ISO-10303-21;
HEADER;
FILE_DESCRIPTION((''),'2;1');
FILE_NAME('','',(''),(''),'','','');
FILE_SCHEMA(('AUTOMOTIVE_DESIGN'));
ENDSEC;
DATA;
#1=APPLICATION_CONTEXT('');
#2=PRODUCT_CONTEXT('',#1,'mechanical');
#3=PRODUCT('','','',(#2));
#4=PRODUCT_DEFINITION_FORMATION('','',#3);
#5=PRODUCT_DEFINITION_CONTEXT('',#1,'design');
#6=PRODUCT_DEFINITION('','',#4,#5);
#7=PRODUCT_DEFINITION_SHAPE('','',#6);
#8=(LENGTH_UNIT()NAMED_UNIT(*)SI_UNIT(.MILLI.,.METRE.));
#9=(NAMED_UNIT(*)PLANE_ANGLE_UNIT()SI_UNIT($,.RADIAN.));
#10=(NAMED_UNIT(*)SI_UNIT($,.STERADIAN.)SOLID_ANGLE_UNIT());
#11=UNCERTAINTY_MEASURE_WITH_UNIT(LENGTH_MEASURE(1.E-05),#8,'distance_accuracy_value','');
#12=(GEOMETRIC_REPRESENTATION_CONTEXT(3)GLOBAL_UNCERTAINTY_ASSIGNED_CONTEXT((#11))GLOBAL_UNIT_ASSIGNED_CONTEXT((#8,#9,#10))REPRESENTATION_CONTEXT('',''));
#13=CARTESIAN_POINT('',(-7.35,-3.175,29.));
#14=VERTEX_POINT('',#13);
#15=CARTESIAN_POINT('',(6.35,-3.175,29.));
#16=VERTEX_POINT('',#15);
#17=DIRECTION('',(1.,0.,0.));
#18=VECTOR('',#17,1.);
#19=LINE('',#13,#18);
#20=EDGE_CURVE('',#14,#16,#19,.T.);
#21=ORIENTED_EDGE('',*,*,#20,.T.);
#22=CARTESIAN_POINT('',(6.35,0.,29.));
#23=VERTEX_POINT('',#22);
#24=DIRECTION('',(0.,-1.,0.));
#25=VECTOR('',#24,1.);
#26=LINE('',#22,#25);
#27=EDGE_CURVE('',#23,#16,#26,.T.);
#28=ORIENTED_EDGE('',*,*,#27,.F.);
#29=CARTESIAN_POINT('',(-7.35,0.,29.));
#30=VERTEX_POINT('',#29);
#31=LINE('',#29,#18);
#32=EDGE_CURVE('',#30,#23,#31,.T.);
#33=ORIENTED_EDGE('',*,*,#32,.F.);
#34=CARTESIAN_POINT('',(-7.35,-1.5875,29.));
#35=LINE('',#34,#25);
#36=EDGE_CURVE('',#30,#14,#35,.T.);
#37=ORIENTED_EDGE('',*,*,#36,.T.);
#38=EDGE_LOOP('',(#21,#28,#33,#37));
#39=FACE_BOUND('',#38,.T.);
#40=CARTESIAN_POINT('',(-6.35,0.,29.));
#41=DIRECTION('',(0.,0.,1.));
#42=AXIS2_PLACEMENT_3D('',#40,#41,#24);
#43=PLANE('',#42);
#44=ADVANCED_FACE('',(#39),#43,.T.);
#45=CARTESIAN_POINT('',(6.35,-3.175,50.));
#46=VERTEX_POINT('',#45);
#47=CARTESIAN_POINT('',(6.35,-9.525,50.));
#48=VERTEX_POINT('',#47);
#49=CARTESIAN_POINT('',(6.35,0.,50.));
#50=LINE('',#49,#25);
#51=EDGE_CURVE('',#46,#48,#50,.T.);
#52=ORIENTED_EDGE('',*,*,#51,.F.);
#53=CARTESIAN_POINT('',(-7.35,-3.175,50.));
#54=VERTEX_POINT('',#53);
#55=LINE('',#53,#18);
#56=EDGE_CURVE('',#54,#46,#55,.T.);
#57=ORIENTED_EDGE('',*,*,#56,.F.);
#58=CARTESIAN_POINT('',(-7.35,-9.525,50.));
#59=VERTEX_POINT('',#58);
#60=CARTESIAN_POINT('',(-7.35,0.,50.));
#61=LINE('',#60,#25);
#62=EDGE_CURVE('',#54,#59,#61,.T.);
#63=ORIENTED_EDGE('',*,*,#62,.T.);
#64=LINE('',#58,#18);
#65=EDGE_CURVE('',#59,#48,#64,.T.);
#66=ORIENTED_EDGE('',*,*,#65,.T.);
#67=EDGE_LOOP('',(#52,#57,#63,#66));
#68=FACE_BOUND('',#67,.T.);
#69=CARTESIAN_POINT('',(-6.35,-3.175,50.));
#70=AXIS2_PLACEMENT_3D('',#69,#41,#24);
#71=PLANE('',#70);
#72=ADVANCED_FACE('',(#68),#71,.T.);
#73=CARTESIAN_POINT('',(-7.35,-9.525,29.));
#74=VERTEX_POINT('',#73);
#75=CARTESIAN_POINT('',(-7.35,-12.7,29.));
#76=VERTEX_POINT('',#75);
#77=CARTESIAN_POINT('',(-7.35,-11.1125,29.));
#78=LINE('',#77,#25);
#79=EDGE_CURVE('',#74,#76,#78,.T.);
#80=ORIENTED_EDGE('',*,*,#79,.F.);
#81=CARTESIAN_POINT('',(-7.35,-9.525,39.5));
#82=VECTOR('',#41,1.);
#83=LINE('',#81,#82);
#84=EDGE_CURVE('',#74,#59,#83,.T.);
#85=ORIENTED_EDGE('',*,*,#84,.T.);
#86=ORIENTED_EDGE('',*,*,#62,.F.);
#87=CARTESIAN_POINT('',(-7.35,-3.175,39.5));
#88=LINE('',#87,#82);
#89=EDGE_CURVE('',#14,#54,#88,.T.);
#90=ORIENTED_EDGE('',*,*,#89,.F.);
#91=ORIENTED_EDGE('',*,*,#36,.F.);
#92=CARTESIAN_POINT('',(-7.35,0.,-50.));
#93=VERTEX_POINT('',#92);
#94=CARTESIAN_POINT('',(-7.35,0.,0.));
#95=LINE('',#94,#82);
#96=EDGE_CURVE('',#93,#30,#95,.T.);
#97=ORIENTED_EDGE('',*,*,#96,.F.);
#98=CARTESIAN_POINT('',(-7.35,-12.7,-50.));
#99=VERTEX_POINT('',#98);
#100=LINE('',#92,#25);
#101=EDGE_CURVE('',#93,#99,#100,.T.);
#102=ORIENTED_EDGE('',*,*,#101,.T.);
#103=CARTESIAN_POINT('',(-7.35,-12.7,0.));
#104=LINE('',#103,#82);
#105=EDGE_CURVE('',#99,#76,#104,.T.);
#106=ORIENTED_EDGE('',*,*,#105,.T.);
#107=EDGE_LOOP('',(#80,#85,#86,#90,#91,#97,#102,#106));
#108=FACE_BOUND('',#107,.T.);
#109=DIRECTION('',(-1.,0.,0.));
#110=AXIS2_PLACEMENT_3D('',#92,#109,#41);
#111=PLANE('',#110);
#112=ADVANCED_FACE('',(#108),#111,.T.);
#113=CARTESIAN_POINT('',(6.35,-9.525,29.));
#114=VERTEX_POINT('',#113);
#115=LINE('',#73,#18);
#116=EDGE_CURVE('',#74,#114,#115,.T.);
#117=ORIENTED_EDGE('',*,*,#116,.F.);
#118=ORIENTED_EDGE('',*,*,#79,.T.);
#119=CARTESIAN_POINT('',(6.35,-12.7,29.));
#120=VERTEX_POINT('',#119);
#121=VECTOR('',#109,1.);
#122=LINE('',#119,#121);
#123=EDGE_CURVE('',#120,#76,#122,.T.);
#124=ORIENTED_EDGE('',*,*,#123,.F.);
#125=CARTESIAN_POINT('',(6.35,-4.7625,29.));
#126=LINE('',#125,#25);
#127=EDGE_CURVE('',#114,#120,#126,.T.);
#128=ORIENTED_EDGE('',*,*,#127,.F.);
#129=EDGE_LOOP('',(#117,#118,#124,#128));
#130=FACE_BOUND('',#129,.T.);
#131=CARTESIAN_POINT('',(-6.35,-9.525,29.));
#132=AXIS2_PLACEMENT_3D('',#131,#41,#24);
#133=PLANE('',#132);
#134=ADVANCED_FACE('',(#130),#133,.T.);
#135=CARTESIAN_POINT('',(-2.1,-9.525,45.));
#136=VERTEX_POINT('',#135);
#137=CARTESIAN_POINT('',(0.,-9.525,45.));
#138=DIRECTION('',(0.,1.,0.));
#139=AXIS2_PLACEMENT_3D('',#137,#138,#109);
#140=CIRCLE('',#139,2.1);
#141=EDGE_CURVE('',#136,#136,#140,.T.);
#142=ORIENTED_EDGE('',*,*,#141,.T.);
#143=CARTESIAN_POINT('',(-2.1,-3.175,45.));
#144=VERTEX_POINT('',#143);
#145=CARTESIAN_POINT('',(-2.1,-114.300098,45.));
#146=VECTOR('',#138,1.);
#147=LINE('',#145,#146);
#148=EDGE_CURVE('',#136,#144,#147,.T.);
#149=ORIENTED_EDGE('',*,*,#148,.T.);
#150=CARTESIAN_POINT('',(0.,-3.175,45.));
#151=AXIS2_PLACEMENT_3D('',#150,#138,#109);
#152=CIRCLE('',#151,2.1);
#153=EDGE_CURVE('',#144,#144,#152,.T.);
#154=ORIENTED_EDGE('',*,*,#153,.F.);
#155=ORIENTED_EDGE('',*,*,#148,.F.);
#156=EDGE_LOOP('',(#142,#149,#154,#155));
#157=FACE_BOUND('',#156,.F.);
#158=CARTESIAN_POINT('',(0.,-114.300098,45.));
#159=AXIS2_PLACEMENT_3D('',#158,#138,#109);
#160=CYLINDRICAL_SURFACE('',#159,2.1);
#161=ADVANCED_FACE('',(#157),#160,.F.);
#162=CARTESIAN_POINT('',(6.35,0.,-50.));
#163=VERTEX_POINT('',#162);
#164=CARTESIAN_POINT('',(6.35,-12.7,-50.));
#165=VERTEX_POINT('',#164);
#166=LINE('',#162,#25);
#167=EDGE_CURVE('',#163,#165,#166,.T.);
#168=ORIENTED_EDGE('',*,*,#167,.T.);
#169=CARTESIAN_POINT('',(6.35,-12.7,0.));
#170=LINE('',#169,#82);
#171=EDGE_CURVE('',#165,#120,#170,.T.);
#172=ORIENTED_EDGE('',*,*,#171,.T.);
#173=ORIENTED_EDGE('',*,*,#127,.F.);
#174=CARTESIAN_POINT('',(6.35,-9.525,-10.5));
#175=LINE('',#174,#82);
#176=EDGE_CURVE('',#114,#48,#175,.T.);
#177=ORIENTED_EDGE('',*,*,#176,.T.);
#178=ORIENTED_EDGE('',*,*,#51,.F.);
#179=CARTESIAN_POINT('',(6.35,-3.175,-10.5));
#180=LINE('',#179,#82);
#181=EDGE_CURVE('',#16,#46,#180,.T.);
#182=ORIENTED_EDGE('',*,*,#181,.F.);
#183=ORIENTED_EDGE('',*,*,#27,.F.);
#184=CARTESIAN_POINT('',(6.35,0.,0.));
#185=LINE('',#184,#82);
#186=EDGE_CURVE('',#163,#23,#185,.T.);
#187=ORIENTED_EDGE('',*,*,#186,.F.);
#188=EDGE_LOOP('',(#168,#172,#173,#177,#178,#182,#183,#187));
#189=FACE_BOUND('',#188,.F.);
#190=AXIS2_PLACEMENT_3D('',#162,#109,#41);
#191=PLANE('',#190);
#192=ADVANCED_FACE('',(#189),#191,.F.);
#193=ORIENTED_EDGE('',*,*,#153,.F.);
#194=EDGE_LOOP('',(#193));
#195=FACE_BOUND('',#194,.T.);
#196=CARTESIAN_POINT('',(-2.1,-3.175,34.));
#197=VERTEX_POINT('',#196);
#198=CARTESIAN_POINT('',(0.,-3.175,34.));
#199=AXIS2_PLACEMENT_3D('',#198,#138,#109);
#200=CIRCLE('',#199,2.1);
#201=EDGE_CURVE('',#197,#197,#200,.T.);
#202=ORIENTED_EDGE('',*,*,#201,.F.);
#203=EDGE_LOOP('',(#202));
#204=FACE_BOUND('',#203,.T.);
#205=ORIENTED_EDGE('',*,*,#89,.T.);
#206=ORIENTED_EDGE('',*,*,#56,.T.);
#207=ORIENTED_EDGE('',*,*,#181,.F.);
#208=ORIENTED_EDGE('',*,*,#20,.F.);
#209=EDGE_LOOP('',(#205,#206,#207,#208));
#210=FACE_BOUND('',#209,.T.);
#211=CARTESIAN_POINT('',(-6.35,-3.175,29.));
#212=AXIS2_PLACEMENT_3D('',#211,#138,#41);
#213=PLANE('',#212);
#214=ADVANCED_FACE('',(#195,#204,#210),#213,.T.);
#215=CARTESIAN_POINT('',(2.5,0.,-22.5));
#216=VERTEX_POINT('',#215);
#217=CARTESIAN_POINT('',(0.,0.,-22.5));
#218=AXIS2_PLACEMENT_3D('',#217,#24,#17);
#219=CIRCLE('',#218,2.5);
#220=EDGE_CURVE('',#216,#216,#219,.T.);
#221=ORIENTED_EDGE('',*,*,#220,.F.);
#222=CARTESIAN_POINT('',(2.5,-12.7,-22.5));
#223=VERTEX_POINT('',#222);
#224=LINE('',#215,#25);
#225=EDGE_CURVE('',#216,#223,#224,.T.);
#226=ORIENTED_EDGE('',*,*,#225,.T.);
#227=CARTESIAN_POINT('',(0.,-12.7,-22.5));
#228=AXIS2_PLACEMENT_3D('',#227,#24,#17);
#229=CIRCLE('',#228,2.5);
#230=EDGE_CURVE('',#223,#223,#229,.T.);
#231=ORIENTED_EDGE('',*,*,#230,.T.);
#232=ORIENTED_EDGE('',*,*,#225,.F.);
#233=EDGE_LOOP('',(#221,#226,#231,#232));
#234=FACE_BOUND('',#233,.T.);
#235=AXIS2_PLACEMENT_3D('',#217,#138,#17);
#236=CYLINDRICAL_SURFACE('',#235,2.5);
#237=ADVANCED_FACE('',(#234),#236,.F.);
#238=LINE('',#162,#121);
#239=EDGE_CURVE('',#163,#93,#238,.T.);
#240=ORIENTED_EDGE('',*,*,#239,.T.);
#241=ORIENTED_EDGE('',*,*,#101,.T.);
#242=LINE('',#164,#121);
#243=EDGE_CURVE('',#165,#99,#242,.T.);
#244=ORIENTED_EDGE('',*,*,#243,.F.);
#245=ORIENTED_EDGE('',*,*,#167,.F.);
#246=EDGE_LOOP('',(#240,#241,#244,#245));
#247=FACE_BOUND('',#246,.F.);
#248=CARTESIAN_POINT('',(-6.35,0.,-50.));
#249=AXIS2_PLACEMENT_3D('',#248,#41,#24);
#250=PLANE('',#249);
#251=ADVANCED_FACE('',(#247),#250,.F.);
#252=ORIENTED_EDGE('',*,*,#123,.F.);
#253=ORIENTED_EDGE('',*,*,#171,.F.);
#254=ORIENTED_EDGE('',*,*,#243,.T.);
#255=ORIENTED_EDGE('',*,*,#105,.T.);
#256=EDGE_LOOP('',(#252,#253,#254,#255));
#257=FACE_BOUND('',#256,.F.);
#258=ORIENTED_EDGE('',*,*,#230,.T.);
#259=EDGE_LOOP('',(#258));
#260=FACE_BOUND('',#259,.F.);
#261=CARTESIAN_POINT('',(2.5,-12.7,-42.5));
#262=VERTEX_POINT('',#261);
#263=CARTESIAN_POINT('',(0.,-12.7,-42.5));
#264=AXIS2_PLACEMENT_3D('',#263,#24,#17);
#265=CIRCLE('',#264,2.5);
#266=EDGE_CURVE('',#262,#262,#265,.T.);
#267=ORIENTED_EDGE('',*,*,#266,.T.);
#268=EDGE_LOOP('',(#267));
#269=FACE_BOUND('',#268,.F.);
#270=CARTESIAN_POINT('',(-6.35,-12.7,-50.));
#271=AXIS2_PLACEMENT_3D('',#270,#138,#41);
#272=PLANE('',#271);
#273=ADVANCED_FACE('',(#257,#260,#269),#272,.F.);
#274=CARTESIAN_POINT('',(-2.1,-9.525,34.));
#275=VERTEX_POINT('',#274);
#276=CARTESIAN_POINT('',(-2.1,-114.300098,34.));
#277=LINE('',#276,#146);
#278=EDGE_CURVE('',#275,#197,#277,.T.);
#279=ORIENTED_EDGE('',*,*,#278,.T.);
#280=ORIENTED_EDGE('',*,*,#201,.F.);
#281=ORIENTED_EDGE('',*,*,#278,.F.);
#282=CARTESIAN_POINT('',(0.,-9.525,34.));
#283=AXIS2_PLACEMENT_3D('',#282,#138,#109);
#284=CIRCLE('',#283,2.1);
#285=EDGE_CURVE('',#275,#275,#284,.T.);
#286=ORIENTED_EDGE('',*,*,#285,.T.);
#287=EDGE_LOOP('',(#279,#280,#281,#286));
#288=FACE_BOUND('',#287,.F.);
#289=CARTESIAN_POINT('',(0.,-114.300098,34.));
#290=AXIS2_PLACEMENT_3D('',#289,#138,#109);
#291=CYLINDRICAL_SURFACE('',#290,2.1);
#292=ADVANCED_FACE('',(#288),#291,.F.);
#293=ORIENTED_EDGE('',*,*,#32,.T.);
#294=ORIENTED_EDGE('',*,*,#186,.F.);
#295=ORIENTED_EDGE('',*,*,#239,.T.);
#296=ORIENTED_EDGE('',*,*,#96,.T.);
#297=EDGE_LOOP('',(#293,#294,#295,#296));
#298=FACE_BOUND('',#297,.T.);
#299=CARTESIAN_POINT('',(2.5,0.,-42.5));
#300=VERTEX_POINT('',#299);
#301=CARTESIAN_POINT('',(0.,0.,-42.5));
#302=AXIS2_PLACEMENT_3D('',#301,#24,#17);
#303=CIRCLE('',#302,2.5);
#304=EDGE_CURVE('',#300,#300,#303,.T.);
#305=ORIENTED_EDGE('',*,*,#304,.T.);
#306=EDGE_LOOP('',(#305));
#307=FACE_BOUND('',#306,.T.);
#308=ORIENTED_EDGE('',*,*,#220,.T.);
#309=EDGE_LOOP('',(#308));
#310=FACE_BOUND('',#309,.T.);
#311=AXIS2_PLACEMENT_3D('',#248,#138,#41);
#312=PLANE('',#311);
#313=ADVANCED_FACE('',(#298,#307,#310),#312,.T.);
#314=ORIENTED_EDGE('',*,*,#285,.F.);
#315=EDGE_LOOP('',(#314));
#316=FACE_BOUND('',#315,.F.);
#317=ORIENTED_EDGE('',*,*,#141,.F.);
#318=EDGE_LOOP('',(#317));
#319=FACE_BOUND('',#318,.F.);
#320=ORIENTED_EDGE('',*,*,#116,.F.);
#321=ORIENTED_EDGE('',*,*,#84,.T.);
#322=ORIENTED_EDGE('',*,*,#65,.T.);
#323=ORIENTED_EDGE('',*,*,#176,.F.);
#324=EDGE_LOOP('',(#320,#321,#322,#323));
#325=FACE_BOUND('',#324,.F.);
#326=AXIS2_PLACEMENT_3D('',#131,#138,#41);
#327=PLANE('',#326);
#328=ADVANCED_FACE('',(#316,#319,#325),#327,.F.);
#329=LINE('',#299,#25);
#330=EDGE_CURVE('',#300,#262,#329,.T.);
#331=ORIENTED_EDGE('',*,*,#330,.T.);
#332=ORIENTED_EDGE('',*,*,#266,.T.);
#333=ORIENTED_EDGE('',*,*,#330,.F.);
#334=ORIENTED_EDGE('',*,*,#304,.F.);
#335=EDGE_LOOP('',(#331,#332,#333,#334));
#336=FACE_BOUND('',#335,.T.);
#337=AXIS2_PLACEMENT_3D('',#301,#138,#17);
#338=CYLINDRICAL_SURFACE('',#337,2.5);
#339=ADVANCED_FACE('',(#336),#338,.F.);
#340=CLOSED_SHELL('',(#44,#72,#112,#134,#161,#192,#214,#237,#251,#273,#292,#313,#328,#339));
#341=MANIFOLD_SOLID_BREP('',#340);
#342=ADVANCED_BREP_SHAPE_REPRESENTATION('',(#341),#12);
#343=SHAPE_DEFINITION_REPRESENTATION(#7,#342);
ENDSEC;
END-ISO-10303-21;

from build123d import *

# Parameters (mm, degrees)
F0_W     = 12.7
F0_H     = 100
F0_R     = 2.5
F1_DEPTH = 12.7
F3_D     = 4.2
F4_W     = 3.175
F4_H     = 21
F5_DEPTH = 12.701
F6_DEPTH = 1


with BuildPart() as f1:
    # F0 (on Front) → F1 (new body)
    with BuildSketch(Plane.XZ):
        Rectangle(F0_W, F0_H)
        with Locations((0, -42.5)):
            Circle(F0_R, mode=Mode.SUBTRACT)
        with Locations((0, -22.5)):
            Circle(F0_R, mode=Mode.SUBTRACT)
    extrude(amount=F1_DEPTH)

    # F3 (through all)
    with Locations(Plane.XZ.offset(12.7)):
        with Locations((0, 45), (0, 34)):
            Hole(F3_D / 2)

    # F4 (on face) → F5 (cut, through all)
    with BuildSketch(Plane(origin=(-6.35, 0, 0), x_dir=(0, -1, 0), z_dir=(-1, 0, 0))):
        with Locations((1.5875, 39.5)):
            Rectangle(F4_W, F4_H)
        with Locations((11.1125, 39.5)):
            Rectangle(F4_W, F4_H)
    extrude(amount=-F5_DEPTH, mode=Mode.SUBTRACT)

    # F6 (add): a face of the model
    f6_faces = [f1.faces().sort_by_distance(p)[0] for p in [
        (-6.35, -6.35, -4.6340782123),
    ]]
    extrude(f6_faces, amount=F6_DEPTH)


solid = f1.part
